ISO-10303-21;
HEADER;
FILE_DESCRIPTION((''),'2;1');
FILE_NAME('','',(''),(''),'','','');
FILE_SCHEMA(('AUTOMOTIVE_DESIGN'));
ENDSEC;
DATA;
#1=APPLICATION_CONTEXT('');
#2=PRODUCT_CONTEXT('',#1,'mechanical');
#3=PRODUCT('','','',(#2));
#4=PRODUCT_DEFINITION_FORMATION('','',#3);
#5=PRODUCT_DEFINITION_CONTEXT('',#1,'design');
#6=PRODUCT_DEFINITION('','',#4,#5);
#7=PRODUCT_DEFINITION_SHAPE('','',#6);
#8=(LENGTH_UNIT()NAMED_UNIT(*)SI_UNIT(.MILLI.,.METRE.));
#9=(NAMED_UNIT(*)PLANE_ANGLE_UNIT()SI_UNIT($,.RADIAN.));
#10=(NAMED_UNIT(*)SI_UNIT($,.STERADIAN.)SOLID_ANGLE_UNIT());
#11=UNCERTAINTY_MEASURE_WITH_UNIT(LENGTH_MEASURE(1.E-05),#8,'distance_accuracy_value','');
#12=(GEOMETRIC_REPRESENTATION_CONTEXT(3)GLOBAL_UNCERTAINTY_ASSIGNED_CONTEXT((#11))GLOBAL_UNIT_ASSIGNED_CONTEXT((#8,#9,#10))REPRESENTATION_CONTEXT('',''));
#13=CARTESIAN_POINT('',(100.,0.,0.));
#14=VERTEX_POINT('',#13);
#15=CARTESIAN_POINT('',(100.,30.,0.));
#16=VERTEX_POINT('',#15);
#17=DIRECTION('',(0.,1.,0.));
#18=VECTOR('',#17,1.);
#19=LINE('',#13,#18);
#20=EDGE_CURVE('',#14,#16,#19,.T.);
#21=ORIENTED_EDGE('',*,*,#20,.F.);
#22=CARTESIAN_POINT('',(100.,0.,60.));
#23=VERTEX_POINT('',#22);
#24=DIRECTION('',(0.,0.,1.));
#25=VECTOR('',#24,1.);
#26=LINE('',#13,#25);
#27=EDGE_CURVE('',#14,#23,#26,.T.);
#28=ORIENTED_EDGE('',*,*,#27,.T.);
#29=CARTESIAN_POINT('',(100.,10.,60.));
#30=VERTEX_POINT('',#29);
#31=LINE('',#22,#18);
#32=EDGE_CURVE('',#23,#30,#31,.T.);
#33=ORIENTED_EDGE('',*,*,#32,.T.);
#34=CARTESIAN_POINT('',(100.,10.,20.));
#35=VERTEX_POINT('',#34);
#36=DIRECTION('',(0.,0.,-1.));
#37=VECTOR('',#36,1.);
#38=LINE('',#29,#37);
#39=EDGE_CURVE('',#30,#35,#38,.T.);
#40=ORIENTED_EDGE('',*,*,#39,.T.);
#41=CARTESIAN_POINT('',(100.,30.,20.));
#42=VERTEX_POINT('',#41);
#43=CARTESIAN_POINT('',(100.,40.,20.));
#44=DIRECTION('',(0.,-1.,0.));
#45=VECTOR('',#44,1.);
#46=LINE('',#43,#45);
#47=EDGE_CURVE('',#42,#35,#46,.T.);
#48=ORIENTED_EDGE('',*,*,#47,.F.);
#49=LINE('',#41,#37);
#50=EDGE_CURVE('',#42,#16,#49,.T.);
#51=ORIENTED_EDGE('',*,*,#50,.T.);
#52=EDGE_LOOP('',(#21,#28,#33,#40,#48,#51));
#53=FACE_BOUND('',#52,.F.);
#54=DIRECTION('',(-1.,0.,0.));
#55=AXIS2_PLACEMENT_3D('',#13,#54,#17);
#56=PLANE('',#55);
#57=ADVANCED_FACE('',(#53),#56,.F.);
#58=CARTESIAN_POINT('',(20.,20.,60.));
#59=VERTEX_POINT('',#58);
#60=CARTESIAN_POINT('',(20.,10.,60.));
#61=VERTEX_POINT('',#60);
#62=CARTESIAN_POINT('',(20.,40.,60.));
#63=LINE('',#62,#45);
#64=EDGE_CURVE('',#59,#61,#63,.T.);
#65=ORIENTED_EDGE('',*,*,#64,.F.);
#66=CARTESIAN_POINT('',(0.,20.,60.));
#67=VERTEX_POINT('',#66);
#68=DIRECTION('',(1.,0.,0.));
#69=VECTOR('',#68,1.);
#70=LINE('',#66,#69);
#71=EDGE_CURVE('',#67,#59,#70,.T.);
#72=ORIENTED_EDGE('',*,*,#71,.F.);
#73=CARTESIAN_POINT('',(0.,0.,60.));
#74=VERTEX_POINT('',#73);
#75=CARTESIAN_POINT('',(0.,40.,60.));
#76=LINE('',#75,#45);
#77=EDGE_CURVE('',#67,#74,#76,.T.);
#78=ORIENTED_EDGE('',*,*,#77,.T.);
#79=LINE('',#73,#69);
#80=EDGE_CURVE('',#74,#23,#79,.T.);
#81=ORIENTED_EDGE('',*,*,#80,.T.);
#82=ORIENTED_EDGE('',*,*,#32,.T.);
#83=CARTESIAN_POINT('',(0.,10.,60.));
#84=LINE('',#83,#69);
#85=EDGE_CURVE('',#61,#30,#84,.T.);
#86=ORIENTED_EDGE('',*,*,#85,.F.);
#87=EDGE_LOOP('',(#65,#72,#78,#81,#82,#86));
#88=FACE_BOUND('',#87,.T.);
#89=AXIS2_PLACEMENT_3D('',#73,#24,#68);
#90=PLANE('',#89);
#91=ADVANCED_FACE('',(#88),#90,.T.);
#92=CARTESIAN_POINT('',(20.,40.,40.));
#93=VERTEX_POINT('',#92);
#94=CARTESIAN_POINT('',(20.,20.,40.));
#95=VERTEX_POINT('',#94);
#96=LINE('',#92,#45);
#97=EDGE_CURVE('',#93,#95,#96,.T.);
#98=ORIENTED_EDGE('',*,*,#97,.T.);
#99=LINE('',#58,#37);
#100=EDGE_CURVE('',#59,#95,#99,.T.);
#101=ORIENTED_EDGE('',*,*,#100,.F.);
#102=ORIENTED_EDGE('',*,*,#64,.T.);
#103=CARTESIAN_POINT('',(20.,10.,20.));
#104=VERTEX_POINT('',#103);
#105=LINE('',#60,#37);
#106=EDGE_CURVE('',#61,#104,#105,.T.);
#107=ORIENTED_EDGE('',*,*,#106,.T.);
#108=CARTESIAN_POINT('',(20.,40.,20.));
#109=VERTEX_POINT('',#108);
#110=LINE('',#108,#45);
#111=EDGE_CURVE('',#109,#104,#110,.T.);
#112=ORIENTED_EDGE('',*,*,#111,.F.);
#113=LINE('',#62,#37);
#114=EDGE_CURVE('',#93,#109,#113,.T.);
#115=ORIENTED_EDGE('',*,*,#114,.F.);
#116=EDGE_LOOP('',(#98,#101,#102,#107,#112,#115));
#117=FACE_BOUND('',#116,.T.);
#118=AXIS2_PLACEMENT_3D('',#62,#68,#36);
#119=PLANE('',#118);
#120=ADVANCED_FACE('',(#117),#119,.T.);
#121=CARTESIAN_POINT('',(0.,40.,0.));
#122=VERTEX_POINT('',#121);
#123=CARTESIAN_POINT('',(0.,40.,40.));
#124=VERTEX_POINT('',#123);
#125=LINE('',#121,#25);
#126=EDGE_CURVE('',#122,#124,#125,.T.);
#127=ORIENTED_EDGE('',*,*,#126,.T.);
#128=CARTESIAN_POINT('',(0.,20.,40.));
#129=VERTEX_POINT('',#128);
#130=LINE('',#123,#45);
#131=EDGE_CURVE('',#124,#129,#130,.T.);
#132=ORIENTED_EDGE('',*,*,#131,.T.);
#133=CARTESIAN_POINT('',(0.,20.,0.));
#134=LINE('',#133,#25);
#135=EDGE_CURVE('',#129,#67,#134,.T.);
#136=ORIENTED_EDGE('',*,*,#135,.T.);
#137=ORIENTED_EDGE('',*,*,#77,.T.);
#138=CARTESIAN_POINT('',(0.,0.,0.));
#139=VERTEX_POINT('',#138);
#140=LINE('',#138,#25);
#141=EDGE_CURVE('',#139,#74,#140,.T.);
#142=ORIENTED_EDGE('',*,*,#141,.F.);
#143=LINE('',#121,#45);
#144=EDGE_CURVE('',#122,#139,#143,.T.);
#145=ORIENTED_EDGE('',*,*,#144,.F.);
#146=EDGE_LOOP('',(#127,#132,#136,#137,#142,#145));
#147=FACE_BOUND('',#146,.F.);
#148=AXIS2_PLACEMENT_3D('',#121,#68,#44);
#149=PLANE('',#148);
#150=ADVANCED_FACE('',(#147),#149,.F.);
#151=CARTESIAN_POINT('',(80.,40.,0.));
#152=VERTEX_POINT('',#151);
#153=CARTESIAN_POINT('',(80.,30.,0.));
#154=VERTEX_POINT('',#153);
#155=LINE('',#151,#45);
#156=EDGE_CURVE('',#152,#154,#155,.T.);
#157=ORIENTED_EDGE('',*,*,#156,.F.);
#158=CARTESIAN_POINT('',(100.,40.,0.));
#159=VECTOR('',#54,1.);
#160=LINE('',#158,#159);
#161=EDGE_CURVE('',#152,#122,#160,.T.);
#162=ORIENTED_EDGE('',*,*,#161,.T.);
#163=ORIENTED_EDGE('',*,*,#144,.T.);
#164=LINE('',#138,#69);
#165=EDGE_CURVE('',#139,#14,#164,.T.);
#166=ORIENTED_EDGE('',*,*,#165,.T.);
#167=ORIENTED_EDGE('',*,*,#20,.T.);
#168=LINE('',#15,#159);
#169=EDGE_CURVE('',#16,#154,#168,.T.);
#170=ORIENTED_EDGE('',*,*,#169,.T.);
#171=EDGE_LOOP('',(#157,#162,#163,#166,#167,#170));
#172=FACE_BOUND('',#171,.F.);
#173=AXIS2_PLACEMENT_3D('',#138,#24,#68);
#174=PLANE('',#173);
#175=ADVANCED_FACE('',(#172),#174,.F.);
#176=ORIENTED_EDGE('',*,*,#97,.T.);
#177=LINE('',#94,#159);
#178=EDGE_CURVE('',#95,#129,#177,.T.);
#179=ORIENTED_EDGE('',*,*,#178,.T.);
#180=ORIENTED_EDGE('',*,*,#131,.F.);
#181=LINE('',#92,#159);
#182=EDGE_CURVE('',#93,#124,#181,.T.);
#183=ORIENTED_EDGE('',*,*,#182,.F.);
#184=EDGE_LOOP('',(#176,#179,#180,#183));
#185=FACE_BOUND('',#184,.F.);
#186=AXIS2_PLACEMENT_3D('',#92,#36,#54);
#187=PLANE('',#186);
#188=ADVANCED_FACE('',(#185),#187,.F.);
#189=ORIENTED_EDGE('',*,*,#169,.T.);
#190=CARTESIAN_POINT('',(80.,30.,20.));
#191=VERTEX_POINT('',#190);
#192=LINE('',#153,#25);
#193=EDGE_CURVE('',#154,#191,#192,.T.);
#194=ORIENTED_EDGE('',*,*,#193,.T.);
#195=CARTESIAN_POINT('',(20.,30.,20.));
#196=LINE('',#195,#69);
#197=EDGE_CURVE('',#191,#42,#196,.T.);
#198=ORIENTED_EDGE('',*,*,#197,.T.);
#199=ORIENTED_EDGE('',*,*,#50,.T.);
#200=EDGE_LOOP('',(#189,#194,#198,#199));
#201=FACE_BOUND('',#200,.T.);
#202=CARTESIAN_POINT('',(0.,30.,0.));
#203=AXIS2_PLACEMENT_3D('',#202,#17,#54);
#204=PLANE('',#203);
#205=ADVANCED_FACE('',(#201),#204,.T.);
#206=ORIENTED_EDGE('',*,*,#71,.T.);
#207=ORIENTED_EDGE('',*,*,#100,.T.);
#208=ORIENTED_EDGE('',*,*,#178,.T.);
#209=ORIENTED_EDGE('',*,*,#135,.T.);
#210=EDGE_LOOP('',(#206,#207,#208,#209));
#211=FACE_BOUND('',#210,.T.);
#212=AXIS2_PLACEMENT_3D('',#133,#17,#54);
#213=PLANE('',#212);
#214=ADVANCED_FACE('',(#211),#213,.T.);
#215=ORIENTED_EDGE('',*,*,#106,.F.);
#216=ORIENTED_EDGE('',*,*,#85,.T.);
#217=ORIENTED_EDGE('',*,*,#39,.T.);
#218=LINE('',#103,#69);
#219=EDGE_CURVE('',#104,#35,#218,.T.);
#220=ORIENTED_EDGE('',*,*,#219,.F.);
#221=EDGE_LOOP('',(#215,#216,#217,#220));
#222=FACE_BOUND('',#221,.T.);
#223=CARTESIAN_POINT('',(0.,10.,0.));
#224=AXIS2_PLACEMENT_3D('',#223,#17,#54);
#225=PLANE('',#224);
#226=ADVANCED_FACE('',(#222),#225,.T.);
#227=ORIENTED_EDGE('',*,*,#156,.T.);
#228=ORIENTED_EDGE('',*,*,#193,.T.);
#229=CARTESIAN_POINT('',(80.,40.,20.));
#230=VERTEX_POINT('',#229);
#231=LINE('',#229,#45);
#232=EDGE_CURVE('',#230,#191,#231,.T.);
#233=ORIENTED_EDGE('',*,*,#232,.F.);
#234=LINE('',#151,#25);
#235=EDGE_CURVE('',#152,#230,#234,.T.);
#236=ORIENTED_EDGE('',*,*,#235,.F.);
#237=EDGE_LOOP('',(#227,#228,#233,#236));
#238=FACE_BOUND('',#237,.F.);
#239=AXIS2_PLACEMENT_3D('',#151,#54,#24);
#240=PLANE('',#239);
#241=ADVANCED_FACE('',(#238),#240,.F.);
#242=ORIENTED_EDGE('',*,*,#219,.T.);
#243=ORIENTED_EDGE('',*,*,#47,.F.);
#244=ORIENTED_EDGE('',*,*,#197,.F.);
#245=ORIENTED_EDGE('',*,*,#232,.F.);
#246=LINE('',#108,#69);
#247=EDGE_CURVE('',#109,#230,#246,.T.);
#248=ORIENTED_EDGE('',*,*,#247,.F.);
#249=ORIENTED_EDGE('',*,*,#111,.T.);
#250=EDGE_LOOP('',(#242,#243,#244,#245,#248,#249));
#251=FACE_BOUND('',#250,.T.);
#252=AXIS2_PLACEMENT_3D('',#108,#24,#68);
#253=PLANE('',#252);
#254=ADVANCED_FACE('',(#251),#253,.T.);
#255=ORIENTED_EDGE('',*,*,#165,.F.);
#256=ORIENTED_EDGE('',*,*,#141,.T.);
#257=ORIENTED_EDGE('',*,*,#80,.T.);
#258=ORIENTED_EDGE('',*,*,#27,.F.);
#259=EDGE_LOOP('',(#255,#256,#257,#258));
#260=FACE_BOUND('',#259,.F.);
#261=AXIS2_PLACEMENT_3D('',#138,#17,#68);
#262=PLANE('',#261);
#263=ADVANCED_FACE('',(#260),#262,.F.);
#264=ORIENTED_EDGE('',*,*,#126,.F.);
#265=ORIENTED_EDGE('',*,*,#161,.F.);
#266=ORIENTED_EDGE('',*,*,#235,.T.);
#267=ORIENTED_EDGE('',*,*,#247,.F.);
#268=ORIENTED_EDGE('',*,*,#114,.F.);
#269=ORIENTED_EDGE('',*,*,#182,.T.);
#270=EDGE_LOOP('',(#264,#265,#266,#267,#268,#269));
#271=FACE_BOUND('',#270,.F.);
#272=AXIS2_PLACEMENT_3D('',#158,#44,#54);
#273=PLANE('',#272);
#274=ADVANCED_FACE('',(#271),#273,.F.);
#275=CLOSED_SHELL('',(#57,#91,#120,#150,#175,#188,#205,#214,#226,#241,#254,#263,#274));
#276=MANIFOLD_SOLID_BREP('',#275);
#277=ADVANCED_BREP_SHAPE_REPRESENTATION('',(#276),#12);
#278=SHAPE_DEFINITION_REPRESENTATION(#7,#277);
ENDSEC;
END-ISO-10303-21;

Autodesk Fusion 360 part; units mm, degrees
sketch "Sketch1" plane through (0, 0, 0) normal (0, 0, 1) x (1, 0, 0)
  line L0 (4, 0) -> (0, 0)
  line L1 (0, 0) -> (0, 2.25)
  line L2 (0, 2.25) -> (1.5, 2.25)
  line L3 (1.5, 2.25) -> (1.5, 1.5)
  line L4 (1.5, 1.5) -> (2.75, 1.5)
  line L5 (2.75, 1.5) -> (2.75, 0.75)
  line L6 (2.75, 0.75) -> (4, 0.75)
  line L7 (4, 0.75) -> (4, 0)
  dimension "d1" = 4
  dimension "d4" = 2.25
  dimension "d5" = 1.25
  dimension "d6" = 1.5
  dimension "d7" = 0.75
  dimension "d8" = 0.75
  dimension "d10" = 1.25
sketch "Sketch2" plane through (0, 2.25, 0) normal (0, 1, 0) x (-1, 0, 0)
  line L0 (-1.5, 0) -> (0, 0)
  line L1 (0, 0) -> (0, 1.25)
  line L2 (0, 1.25) -> (-1.5, 1.25)
  line L3 (-1.5, 1.25) -> (-1.5, 0)
  line L4 (-1.5, 0.2963) -> (-0.6318, 0.2963)
  line L5 (-0.6318, 0.2963) -> (-0.6318, 0.976)
  line L6 (-0.6318, 0.976) -> (-3.3284, 0.976)
  line L7 (-3.3284, 0.976) -> (-3.3284, 0.2963)
  line L8 (-3.3284, 0.2963) -> (-1.5, 0.2963)
sketch "Sketch3" plane through (0, 0, 0) normal (0, 0, 1) x (1, 0, 0)
  line L0 (0, 0) -> (100, 0)
  line L1 (100, 0) -> (100, 40)
  line L2 (100, 40) -> (0, 40)
  line L3 (0, 40) -> (0, 0)
  dimension "d15" = 100
  dimension "d16" = 40
extrude "Extrude3" add sketch "Sketch3" along normal blind 60
sketch "Sketch4" plane through (0, 40, 0) normal (0, 1, 0) x (-1, 0, 0)
  line L0 (-100, 0) -> (0, 0)
  line L1 (0, 0) -> (0, 60)
  line L2 (0, 60) -> (-100, 60)
  line L3 (-100, 60) -> (-100, 0)
  line L4 (-20, 60) -> (-20, 20)
  line L5 (-20, 20) -> (-100, 20)
  dimension "d19" = 40
  dimension "d20" = 80
extrude "Extrude4" cut sketch "Sketch4" against normal blind 30 contours L2 L3 L4 L5
sketch "Sketch5" plane through (0, 40, 0) normal (0, 1, 0) x (-1, 0, 0)
  line L0 (-20, 60) -> (-20, 20)
  line L1 (-20, 20) -> (-100, 20)
  line L2 (-100, 20) -> (-100, 0)
  line L3 (-100, 0) -> (0, 0)
  line L4 (0, 0) -> (0, 60)
  line L5 (0, 60) -> (-20, 60)
  line L6 (-20, 40) -> (0, 40)
extrude "Extrude5" cut sketch "Sketch5" against normal blind 20 contours L0 L4 L5 L6
sketch "Sketch6" plane through (0, 40, 0) normal (0, 1, 0) x (-1, 0, 0)
  line L0 (0, 40) -> (-20, 40)
  line L1 (-20, 40) -> (-20, 20)
  line L2 (-20, 20) -> (-100, 20)
  line L3 (-100, 20) -> (-100, 0)
  line L4 (-100, 0) -> (0, 0)
  line L5 (0, 0) -> (0, 40)
  line L6 (-80, 0) -> (-80, 20)
extrude "Extrude6" cut sketch "Sketch6" against normal blind 10 contours L2 L3 L4 L6
